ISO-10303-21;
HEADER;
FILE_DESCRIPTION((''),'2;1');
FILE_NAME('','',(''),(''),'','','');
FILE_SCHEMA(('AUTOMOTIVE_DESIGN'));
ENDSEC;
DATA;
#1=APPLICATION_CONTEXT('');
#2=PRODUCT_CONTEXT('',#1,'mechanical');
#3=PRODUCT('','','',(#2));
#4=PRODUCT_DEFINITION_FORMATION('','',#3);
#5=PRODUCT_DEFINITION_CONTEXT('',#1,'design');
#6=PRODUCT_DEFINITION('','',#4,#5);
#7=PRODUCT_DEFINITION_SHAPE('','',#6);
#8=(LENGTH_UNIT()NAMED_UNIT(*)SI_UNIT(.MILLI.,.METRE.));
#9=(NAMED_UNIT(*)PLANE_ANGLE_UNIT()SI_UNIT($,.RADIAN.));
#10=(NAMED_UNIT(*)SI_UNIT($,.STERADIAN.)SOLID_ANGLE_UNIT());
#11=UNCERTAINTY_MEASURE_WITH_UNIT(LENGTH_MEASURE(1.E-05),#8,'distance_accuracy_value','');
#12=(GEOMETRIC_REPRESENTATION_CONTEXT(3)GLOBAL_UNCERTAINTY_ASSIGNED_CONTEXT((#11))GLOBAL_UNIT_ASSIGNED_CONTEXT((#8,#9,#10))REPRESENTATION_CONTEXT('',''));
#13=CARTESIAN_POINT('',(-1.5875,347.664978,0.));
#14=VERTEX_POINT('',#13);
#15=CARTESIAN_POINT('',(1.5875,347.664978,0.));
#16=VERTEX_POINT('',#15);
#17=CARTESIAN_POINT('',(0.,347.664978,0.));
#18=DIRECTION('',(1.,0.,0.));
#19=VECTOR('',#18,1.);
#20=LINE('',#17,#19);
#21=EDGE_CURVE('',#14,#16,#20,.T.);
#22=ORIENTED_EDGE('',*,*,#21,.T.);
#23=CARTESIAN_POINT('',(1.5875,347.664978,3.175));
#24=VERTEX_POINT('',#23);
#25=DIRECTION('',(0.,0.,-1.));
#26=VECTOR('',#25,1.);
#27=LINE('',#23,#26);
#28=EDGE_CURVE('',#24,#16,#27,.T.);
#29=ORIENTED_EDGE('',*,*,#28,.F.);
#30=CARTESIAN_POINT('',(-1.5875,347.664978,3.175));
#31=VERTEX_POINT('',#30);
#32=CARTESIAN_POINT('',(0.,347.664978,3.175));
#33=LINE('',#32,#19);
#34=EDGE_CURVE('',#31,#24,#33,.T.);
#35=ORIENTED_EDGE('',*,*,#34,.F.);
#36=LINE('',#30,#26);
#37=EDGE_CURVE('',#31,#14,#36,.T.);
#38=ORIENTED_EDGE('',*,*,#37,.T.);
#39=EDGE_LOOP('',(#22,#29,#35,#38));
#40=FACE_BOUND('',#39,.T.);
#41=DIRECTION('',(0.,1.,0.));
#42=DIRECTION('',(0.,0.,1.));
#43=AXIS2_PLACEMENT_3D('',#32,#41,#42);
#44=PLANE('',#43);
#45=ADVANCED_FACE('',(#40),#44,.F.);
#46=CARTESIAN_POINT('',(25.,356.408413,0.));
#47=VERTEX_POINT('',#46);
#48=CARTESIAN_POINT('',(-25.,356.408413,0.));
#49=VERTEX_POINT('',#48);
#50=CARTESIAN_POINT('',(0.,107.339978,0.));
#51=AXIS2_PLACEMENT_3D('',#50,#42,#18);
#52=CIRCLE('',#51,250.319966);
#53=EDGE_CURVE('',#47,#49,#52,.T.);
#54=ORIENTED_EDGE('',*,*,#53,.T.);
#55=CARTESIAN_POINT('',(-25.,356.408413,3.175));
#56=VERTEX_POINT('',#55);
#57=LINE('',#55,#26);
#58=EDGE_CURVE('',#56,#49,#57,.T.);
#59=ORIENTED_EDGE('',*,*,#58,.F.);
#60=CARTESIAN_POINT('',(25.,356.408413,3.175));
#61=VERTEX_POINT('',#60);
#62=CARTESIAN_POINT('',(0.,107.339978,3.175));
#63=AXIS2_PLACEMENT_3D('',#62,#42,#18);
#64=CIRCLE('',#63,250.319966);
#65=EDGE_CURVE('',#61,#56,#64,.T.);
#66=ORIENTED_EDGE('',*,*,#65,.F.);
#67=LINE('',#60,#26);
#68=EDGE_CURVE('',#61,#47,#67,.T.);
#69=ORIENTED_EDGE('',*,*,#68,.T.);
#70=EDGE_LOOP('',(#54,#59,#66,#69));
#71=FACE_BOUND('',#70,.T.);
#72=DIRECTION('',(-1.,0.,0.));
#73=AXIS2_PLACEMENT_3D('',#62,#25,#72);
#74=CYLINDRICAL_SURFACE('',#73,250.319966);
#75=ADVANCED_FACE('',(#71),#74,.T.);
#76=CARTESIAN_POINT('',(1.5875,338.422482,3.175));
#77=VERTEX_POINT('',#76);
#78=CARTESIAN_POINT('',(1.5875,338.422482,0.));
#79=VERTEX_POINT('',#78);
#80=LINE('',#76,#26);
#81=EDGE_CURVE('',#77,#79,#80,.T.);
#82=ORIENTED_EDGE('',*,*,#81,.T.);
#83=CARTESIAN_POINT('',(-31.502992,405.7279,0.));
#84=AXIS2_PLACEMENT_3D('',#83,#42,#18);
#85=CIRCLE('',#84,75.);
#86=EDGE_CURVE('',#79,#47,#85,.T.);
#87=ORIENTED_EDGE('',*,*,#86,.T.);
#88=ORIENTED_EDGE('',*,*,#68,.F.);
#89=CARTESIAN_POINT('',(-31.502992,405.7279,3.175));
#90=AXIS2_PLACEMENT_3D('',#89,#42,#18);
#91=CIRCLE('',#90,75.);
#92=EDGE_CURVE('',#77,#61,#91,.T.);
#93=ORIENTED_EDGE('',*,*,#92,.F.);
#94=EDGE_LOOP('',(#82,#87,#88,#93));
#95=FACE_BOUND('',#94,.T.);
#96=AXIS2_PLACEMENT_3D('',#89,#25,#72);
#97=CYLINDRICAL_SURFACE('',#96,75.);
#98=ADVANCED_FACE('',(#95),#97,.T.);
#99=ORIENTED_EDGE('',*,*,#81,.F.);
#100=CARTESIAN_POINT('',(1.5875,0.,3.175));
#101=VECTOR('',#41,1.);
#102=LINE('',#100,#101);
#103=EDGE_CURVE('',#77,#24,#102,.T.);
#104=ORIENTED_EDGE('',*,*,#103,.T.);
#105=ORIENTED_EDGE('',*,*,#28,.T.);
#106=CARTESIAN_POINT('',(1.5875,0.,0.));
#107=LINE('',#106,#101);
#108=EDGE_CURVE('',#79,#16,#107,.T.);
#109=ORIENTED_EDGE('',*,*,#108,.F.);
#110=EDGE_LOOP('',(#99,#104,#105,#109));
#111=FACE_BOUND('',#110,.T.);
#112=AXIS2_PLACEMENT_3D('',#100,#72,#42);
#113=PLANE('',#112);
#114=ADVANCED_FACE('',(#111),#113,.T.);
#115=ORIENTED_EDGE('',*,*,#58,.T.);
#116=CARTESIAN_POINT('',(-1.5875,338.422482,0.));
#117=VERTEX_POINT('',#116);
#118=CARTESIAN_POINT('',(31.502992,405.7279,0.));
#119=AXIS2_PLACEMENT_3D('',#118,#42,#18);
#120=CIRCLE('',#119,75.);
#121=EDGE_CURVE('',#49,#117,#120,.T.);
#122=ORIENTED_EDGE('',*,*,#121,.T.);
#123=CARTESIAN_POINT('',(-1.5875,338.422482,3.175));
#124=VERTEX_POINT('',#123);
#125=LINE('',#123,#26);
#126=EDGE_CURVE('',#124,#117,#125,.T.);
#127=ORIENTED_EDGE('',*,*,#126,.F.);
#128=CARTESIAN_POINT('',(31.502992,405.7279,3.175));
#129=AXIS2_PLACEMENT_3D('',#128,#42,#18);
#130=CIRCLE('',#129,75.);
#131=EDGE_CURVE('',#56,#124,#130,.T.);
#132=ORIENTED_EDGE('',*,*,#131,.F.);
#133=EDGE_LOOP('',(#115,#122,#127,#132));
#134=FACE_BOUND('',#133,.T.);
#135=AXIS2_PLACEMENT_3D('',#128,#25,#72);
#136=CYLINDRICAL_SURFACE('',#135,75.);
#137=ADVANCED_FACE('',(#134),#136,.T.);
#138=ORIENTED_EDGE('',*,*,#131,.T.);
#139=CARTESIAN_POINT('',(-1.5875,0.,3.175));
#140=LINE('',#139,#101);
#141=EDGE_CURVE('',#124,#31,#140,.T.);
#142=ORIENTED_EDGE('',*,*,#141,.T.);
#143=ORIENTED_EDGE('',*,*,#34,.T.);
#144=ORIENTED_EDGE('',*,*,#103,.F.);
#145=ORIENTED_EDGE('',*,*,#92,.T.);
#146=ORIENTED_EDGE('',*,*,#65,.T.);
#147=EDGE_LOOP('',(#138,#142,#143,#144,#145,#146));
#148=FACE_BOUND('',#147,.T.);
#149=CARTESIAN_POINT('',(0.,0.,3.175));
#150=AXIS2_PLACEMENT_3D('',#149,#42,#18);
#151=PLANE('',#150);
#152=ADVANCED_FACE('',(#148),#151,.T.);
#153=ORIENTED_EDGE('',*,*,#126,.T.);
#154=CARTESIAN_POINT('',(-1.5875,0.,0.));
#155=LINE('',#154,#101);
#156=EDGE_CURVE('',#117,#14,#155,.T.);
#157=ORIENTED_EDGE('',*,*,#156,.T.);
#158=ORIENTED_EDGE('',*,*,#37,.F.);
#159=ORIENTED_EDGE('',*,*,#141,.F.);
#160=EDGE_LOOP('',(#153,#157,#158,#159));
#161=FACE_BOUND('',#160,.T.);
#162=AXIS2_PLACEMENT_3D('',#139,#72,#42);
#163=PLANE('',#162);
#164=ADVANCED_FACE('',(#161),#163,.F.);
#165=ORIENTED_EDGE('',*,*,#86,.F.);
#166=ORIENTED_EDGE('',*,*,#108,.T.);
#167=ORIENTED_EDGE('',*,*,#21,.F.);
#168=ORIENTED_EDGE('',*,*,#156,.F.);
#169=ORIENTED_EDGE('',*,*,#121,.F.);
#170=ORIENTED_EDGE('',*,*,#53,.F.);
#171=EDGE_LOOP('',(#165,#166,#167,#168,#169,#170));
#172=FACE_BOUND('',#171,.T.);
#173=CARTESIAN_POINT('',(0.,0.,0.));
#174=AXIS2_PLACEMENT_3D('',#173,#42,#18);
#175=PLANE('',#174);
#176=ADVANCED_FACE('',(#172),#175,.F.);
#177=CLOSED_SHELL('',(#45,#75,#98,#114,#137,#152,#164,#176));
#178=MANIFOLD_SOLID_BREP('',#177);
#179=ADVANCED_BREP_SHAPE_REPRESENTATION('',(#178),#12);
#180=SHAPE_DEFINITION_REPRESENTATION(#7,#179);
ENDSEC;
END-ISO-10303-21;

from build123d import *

# Parameters (mm, degrees)
BOSS_EXTRUDE1_DEPTH = 1.5875


with BuildPart() as part:
    # Sketch2 → Boss-Extrude1 (new, symmetric)
    with BuildSketch(Plane.XY.offset(1.5875)):
        with BuildLine():
            ThreePointArc((-25, 356.408412891), (-14.187505021, 346.252036042), (-1.5875, 338.422482296))
            Line((-1.5875, 338.422482296), (-1.5875, 347.664977579))
            ThreePointArc((-1.5875, 347.664977579), (0, 349.252477579), (1.5875, 347.664977579))
            Line((1.5875, 347.664977579), (1.5875, 338.422482296))
            ThreePointArc((1.5875, 338.422482296), (14.187505021, 346.252036042), (25, 356.408412891))
            ThreePointArc((25, 356.408412891), (0, 357.65994376), (-25, 356.408412891))
        make_face()
        with BuildLine():
            Line((-1.5875, 347.664977579), (1.5875, 347.664977579))
            ThreePointArc((1.5875, 347.664977579), (0, 349.252477579), (-1.5875, 347.664977579))
        make_face()
    extrude(amount=BOSS_EXTRUDE1_DEPTH, both=True)


solid = part.part
